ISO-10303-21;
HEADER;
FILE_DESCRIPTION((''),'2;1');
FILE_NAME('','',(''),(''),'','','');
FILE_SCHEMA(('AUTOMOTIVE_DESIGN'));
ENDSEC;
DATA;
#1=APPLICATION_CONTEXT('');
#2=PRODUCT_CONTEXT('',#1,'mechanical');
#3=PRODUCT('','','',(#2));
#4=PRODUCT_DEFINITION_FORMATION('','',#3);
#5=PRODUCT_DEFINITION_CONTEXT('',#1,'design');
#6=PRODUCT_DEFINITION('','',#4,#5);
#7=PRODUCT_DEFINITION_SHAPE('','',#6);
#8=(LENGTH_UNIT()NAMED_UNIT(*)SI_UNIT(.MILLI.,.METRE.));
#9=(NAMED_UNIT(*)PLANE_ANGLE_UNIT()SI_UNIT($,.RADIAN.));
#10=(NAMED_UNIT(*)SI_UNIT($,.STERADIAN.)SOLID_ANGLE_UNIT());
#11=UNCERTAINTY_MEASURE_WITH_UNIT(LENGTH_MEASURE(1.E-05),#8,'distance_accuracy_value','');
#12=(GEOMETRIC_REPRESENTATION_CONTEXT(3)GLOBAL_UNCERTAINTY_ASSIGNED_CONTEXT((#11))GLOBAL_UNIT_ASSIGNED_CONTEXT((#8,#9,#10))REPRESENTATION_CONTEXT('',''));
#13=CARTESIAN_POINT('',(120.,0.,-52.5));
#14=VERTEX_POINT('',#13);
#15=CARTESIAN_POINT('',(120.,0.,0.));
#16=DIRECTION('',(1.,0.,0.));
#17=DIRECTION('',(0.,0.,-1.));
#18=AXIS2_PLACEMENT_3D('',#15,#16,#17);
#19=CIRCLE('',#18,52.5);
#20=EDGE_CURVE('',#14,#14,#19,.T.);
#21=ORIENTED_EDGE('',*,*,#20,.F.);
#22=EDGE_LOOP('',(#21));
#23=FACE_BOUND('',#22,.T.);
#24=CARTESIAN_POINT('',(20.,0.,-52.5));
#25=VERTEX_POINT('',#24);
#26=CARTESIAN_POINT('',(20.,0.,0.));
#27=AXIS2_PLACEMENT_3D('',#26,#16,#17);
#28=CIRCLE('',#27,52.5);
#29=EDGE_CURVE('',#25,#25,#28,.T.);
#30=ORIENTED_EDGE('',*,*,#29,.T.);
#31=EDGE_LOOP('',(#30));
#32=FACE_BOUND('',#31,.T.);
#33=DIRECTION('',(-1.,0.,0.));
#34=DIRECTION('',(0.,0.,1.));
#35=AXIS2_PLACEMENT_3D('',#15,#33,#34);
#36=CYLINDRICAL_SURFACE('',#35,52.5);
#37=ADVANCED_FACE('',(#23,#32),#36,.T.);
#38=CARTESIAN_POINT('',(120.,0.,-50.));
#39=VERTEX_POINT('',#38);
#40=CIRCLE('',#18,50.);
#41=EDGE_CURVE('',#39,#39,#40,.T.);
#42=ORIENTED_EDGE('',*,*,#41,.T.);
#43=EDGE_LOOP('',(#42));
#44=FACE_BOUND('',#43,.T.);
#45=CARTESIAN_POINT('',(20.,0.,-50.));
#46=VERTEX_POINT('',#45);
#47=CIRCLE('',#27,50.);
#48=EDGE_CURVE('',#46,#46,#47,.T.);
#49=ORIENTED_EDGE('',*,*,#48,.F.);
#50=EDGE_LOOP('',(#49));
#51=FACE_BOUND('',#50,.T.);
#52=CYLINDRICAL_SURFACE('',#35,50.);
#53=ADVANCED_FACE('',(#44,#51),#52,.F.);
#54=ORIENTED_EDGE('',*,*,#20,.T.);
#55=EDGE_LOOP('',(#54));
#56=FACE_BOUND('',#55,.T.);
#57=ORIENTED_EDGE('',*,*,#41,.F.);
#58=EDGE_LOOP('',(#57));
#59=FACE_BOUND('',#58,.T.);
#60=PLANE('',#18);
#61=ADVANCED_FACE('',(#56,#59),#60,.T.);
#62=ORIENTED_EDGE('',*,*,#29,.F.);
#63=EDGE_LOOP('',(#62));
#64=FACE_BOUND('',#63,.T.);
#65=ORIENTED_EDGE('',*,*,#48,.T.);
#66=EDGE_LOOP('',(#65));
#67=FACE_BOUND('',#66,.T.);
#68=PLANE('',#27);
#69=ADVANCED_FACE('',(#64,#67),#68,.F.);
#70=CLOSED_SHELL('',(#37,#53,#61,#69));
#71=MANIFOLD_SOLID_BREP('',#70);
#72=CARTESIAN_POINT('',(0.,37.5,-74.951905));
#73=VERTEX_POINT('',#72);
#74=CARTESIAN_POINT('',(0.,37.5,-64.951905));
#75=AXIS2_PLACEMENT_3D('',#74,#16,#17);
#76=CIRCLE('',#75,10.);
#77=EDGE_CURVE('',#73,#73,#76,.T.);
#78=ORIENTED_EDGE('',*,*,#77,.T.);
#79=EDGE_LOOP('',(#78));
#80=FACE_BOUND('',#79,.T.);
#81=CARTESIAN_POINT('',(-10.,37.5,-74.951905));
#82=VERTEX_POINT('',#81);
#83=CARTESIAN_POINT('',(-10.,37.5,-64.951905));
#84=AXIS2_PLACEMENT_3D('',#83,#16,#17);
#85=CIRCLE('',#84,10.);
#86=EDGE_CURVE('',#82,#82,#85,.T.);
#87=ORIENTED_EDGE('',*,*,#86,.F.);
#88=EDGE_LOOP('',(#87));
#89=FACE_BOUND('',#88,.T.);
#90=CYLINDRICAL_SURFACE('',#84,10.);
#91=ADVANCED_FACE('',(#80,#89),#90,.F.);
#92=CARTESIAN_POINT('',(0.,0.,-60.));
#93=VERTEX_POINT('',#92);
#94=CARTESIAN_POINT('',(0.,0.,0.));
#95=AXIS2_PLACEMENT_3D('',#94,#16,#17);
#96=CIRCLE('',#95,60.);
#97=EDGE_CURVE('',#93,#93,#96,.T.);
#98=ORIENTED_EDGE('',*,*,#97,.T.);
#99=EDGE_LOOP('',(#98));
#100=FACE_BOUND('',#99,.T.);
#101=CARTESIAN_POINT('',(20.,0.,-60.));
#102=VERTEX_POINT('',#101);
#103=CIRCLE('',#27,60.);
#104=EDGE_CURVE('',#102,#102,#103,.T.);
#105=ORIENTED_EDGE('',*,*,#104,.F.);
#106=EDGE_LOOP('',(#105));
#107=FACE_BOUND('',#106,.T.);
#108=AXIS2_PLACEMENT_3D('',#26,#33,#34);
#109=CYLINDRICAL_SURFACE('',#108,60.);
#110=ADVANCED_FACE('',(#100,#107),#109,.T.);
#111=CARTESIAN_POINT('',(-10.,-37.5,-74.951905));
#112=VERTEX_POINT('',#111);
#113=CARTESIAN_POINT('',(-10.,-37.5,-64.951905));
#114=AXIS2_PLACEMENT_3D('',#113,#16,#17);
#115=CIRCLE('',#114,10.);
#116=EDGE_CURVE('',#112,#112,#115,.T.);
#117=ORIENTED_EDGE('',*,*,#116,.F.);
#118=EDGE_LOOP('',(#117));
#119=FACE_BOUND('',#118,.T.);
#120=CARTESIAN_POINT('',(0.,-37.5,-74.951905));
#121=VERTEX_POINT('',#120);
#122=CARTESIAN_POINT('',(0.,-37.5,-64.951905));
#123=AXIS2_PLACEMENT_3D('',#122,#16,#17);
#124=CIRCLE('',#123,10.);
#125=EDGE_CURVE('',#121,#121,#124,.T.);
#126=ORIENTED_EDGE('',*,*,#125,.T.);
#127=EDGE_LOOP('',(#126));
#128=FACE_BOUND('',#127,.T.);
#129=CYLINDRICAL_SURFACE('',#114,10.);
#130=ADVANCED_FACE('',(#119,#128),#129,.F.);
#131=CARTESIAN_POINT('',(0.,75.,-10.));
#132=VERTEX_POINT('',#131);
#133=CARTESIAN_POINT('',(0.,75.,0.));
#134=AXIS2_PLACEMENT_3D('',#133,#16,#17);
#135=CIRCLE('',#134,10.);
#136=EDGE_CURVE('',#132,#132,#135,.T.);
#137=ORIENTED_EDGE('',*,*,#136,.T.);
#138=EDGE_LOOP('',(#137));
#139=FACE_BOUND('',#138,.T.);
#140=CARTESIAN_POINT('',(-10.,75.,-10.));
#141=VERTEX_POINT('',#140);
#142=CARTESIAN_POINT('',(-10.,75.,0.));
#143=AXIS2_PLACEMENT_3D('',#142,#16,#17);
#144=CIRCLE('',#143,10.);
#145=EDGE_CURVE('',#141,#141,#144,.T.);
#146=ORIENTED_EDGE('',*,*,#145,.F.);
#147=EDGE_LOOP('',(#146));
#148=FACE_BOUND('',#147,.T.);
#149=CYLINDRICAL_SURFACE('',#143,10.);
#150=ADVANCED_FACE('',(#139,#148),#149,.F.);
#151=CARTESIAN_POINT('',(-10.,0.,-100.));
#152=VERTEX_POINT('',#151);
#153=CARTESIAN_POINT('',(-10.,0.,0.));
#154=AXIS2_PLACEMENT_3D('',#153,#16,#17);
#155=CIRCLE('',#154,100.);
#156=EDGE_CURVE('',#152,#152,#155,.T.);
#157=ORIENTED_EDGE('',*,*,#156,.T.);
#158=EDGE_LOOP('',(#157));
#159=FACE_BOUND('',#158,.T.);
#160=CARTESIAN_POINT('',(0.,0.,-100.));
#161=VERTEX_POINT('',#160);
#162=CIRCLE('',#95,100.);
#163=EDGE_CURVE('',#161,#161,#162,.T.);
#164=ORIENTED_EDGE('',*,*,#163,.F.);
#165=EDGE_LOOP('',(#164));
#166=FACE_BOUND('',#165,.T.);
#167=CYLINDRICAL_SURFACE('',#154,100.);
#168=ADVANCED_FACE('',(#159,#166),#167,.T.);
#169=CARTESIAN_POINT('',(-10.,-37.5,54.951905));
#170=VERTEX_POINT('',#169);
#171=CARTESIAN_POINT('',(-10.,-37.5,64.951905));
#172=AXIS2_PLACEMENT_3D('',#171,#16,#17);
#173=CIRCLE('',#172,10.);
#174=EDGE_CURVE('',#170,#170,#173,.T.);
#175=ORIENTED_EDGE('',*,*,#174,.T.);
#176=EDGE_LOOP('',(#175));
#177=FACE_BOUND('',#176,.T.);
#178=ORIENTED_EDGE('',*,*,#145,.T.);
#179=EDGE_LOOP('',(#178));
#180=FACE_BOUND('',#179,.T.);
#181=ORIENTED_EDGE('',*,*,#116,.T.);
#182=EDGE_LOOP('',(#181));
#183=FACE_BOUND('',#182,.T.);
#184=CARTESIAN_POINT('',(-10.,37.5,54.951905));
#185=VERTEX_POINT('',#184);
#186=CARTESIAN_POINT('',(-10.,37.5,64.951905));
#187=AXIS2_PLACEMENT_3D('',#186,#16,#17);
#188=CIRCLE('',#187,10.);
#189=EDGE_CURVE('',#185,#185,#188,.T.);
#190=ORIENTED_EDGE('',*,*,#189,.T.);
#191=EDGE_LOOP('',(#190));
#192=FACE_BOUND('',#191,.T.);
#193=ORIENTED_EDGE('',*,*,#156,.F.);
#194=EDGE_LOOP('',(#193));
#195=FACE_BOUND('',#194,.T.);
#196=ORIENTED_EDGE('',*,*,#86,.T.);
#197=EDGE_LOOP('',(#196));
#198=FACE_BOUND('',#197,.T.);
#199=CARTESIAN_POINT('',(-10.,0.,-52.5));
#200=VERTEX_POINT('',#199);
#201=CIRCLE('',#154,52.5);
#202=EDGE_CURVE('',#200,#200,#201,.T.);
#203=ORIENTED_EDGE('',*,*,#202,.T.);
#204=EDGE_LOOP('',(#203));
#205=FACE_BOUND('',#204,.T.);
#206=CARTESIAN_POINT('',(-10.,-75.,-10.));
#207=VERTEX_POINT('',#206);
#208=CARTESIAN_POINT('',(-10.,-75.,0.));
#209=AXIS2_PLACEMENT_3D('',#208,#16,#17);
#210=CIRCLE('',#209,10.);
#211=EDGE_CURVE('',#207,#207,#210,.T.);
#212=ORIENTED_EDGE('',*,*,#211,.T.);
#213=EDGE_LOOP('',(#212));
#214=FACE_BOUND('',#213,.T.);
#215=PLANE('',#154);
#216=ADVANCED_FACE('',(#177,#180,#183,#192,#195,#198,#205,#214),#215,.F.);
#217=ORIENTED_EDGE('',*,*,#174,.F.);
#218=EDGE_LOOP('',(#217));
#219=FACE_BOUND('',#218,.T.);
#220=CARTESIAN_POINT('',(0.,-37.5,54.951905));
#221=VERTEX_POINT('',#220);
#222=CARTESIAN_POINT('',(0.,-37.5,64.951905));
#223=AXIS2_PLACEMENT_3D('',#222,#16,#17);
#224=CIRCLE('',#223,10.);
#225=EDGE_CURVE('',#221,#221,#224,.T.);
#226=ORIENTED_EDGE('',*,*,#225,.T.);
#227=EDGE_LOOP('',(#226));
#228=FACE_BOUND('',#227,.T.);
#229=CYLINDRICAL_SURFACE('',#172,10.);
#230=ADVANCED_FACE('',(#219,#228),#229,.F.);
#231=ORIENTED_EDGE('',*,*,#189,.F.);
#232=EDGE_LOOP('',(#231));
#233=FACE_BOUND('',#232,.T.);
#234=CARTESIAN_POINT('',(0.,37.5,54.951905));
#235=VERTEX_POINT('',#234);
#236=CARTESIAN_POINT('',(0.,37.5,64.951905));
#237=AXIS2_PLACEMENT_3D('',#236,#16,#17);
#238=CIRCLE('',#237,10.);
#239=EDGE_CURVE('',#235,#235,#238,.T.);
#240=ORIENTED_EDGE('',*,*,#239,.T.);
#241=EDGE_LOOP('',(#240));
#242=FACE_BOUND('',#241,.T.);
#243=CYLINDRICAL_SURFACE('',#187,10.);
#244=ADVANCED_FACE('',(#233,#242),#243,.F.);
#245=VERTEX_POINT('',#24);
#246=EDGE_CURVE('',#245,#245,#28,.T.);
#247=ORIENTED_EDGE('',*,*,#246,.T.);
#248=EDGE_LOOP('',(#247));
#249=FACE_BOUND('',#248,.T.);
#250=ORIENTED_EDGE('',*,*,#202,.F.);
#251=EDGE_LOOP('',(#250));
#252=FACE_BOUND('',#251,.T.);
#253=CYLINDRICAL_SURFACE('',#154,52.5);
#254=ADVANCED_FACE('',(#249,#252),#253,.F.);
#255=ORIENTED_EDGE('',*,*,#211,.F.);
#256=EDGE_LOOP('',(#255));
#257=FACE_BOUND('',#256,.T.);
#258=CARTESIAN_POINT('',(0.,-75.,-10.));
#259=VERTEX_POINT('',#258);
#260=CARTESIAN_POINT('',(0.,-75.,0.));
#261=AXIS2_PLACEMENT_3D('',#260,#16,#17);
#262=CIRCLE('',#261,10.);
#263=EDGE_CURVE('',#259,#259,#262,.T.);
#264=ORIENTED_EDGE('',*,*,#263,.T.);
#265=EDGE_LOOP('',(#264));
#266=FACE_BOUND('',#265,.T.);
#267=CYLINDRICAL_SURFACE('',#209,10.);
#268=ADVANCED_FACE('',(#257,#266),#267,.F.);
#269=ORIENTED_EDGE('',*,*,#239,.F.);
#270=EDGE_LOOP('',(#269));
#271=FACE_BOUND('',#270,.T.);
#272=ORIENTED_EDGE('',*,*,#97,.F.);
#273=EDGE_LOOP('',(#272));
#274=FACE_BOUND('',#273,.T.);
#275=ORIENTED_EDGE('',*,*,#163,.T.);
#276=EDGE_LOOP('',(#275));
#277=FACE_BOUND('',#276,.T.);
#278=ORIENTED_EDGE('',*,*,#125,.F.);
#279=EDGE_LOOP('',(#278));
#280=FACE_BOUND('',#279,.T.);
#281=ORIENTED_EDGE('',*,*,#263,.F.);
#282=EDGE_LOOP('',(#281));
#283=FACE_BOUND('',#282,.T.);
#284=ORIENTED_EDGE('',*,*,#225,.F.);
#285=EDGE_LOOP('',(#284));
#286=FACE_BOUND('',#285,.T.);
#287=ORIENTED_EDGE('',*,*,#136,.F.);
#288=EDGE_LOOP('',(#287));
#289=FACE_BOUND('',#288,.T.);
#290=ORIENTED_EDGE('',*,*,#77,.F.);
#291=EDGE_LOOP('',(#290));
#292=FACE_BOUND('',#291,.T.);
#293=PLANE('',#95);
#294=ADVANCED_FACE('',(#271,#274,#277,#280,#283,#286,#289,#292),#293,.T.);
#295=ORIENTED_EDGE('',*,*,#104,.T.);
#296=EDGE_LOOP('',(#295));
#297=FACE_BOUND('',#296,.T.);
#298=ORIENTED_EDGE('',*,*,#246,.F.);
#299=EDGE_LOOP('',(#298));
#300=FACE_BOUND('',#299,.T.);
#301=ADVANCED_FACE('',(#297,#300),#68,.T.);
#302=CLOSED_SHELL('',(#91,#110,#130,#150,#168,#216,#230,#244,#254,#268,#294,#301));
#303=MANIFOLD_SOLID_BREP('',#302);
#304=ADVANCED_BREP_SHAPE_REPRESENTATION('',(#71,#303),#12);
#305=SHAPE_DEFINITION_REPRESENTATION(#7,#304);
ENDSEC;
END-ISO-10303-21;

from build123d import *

# Parameters (mm, degrees)
SKETCH1_R           = 100
SKETCH1_R_2         = 52.5
SKETCH1_R_3         = 10
BOSS_EXTRUDE1_DEPTH = 10
BOSS_EXTRUDE2_START = 20
SKETCH2_R           = 60
SKETCH2_R_2         = 52.5
BOSS_EXTRUDE2_DEPTH = 20
SKETCH3_R           = 52.5
SKETCH3_R_2         = 50
BOSS_EXTRUDE3_DEPTH = 100


with BuildPart() as part:
    # Sketch1 → Boss-Extrude1 (new body)
    with BuildSketch(Plane(origin=(0, 0, 0), x_dir=(0, 0, -1), z_dir=(1, 0, 0))):
        Circle(SKETCH1_R)
        Circle(SKETCH1_R_2, mode=Mode.SUBTRACT)
        with Locations((0, 75)):
            Circle(SKETCH1_R_3, mode=Mode.SUBTRACT)
        with Locations((64.951905284, 37.5)):
            Circle(SKETCH1_R_3, mode=Mode.SUBTRACT)
        with Locations((64.951905284, -37.5)):
            Circle(SKETCH1_R_3, mode=Mode.SUBTRACT)
        with Locations((0, -75)):
            Circle(SKETCH1_R_3, mode=Mode.SUBTRACT)
        with Locations((-64.951905284, -37.5)):
            Circle(SKETCH1_R_3, mode=Mode.SUBTRACT)
        with Locations((-64.951905284, 37.5)):
            Circle(SKETCH1_R_3, mode=Mode.SUBTRACT)
    extrude(amount=-BOSS_EXTRUDE1_DEPTH)

    # Sketch2 → Boss-Extrude2 (add)
    with BuildSketch(Plane(origin=(0, 0, 0), x_dir=(0, 0, -1), z_dir=(1, 0, 0)).offset(BOSS_EXTRUDE2_START)):
        Circle(SKETCH2_R)
        Circle(SKETCH2_R_2, mode=Mode.SUBTRACT)
    extrude(amount=-BOSS_EXTRUDE2_DEPTH)


with BuildPart() as body_2:
    # Sketch3 → Boss-Extrude3 (new body)
    with BuildSketch(Plane(origin=(20, 0, 0), x_dir=(0, 0, -1), z_dir=(1, 0, 0))):
        Circle(SKETCH3_R)
        Circle(SKETCH3_R_2, mode=Mode.SUBTRACT)
    extrude(amount=BOSS_EXTRUDE3_DEPTH)


solid = Compound([part.part, body_2.part])
